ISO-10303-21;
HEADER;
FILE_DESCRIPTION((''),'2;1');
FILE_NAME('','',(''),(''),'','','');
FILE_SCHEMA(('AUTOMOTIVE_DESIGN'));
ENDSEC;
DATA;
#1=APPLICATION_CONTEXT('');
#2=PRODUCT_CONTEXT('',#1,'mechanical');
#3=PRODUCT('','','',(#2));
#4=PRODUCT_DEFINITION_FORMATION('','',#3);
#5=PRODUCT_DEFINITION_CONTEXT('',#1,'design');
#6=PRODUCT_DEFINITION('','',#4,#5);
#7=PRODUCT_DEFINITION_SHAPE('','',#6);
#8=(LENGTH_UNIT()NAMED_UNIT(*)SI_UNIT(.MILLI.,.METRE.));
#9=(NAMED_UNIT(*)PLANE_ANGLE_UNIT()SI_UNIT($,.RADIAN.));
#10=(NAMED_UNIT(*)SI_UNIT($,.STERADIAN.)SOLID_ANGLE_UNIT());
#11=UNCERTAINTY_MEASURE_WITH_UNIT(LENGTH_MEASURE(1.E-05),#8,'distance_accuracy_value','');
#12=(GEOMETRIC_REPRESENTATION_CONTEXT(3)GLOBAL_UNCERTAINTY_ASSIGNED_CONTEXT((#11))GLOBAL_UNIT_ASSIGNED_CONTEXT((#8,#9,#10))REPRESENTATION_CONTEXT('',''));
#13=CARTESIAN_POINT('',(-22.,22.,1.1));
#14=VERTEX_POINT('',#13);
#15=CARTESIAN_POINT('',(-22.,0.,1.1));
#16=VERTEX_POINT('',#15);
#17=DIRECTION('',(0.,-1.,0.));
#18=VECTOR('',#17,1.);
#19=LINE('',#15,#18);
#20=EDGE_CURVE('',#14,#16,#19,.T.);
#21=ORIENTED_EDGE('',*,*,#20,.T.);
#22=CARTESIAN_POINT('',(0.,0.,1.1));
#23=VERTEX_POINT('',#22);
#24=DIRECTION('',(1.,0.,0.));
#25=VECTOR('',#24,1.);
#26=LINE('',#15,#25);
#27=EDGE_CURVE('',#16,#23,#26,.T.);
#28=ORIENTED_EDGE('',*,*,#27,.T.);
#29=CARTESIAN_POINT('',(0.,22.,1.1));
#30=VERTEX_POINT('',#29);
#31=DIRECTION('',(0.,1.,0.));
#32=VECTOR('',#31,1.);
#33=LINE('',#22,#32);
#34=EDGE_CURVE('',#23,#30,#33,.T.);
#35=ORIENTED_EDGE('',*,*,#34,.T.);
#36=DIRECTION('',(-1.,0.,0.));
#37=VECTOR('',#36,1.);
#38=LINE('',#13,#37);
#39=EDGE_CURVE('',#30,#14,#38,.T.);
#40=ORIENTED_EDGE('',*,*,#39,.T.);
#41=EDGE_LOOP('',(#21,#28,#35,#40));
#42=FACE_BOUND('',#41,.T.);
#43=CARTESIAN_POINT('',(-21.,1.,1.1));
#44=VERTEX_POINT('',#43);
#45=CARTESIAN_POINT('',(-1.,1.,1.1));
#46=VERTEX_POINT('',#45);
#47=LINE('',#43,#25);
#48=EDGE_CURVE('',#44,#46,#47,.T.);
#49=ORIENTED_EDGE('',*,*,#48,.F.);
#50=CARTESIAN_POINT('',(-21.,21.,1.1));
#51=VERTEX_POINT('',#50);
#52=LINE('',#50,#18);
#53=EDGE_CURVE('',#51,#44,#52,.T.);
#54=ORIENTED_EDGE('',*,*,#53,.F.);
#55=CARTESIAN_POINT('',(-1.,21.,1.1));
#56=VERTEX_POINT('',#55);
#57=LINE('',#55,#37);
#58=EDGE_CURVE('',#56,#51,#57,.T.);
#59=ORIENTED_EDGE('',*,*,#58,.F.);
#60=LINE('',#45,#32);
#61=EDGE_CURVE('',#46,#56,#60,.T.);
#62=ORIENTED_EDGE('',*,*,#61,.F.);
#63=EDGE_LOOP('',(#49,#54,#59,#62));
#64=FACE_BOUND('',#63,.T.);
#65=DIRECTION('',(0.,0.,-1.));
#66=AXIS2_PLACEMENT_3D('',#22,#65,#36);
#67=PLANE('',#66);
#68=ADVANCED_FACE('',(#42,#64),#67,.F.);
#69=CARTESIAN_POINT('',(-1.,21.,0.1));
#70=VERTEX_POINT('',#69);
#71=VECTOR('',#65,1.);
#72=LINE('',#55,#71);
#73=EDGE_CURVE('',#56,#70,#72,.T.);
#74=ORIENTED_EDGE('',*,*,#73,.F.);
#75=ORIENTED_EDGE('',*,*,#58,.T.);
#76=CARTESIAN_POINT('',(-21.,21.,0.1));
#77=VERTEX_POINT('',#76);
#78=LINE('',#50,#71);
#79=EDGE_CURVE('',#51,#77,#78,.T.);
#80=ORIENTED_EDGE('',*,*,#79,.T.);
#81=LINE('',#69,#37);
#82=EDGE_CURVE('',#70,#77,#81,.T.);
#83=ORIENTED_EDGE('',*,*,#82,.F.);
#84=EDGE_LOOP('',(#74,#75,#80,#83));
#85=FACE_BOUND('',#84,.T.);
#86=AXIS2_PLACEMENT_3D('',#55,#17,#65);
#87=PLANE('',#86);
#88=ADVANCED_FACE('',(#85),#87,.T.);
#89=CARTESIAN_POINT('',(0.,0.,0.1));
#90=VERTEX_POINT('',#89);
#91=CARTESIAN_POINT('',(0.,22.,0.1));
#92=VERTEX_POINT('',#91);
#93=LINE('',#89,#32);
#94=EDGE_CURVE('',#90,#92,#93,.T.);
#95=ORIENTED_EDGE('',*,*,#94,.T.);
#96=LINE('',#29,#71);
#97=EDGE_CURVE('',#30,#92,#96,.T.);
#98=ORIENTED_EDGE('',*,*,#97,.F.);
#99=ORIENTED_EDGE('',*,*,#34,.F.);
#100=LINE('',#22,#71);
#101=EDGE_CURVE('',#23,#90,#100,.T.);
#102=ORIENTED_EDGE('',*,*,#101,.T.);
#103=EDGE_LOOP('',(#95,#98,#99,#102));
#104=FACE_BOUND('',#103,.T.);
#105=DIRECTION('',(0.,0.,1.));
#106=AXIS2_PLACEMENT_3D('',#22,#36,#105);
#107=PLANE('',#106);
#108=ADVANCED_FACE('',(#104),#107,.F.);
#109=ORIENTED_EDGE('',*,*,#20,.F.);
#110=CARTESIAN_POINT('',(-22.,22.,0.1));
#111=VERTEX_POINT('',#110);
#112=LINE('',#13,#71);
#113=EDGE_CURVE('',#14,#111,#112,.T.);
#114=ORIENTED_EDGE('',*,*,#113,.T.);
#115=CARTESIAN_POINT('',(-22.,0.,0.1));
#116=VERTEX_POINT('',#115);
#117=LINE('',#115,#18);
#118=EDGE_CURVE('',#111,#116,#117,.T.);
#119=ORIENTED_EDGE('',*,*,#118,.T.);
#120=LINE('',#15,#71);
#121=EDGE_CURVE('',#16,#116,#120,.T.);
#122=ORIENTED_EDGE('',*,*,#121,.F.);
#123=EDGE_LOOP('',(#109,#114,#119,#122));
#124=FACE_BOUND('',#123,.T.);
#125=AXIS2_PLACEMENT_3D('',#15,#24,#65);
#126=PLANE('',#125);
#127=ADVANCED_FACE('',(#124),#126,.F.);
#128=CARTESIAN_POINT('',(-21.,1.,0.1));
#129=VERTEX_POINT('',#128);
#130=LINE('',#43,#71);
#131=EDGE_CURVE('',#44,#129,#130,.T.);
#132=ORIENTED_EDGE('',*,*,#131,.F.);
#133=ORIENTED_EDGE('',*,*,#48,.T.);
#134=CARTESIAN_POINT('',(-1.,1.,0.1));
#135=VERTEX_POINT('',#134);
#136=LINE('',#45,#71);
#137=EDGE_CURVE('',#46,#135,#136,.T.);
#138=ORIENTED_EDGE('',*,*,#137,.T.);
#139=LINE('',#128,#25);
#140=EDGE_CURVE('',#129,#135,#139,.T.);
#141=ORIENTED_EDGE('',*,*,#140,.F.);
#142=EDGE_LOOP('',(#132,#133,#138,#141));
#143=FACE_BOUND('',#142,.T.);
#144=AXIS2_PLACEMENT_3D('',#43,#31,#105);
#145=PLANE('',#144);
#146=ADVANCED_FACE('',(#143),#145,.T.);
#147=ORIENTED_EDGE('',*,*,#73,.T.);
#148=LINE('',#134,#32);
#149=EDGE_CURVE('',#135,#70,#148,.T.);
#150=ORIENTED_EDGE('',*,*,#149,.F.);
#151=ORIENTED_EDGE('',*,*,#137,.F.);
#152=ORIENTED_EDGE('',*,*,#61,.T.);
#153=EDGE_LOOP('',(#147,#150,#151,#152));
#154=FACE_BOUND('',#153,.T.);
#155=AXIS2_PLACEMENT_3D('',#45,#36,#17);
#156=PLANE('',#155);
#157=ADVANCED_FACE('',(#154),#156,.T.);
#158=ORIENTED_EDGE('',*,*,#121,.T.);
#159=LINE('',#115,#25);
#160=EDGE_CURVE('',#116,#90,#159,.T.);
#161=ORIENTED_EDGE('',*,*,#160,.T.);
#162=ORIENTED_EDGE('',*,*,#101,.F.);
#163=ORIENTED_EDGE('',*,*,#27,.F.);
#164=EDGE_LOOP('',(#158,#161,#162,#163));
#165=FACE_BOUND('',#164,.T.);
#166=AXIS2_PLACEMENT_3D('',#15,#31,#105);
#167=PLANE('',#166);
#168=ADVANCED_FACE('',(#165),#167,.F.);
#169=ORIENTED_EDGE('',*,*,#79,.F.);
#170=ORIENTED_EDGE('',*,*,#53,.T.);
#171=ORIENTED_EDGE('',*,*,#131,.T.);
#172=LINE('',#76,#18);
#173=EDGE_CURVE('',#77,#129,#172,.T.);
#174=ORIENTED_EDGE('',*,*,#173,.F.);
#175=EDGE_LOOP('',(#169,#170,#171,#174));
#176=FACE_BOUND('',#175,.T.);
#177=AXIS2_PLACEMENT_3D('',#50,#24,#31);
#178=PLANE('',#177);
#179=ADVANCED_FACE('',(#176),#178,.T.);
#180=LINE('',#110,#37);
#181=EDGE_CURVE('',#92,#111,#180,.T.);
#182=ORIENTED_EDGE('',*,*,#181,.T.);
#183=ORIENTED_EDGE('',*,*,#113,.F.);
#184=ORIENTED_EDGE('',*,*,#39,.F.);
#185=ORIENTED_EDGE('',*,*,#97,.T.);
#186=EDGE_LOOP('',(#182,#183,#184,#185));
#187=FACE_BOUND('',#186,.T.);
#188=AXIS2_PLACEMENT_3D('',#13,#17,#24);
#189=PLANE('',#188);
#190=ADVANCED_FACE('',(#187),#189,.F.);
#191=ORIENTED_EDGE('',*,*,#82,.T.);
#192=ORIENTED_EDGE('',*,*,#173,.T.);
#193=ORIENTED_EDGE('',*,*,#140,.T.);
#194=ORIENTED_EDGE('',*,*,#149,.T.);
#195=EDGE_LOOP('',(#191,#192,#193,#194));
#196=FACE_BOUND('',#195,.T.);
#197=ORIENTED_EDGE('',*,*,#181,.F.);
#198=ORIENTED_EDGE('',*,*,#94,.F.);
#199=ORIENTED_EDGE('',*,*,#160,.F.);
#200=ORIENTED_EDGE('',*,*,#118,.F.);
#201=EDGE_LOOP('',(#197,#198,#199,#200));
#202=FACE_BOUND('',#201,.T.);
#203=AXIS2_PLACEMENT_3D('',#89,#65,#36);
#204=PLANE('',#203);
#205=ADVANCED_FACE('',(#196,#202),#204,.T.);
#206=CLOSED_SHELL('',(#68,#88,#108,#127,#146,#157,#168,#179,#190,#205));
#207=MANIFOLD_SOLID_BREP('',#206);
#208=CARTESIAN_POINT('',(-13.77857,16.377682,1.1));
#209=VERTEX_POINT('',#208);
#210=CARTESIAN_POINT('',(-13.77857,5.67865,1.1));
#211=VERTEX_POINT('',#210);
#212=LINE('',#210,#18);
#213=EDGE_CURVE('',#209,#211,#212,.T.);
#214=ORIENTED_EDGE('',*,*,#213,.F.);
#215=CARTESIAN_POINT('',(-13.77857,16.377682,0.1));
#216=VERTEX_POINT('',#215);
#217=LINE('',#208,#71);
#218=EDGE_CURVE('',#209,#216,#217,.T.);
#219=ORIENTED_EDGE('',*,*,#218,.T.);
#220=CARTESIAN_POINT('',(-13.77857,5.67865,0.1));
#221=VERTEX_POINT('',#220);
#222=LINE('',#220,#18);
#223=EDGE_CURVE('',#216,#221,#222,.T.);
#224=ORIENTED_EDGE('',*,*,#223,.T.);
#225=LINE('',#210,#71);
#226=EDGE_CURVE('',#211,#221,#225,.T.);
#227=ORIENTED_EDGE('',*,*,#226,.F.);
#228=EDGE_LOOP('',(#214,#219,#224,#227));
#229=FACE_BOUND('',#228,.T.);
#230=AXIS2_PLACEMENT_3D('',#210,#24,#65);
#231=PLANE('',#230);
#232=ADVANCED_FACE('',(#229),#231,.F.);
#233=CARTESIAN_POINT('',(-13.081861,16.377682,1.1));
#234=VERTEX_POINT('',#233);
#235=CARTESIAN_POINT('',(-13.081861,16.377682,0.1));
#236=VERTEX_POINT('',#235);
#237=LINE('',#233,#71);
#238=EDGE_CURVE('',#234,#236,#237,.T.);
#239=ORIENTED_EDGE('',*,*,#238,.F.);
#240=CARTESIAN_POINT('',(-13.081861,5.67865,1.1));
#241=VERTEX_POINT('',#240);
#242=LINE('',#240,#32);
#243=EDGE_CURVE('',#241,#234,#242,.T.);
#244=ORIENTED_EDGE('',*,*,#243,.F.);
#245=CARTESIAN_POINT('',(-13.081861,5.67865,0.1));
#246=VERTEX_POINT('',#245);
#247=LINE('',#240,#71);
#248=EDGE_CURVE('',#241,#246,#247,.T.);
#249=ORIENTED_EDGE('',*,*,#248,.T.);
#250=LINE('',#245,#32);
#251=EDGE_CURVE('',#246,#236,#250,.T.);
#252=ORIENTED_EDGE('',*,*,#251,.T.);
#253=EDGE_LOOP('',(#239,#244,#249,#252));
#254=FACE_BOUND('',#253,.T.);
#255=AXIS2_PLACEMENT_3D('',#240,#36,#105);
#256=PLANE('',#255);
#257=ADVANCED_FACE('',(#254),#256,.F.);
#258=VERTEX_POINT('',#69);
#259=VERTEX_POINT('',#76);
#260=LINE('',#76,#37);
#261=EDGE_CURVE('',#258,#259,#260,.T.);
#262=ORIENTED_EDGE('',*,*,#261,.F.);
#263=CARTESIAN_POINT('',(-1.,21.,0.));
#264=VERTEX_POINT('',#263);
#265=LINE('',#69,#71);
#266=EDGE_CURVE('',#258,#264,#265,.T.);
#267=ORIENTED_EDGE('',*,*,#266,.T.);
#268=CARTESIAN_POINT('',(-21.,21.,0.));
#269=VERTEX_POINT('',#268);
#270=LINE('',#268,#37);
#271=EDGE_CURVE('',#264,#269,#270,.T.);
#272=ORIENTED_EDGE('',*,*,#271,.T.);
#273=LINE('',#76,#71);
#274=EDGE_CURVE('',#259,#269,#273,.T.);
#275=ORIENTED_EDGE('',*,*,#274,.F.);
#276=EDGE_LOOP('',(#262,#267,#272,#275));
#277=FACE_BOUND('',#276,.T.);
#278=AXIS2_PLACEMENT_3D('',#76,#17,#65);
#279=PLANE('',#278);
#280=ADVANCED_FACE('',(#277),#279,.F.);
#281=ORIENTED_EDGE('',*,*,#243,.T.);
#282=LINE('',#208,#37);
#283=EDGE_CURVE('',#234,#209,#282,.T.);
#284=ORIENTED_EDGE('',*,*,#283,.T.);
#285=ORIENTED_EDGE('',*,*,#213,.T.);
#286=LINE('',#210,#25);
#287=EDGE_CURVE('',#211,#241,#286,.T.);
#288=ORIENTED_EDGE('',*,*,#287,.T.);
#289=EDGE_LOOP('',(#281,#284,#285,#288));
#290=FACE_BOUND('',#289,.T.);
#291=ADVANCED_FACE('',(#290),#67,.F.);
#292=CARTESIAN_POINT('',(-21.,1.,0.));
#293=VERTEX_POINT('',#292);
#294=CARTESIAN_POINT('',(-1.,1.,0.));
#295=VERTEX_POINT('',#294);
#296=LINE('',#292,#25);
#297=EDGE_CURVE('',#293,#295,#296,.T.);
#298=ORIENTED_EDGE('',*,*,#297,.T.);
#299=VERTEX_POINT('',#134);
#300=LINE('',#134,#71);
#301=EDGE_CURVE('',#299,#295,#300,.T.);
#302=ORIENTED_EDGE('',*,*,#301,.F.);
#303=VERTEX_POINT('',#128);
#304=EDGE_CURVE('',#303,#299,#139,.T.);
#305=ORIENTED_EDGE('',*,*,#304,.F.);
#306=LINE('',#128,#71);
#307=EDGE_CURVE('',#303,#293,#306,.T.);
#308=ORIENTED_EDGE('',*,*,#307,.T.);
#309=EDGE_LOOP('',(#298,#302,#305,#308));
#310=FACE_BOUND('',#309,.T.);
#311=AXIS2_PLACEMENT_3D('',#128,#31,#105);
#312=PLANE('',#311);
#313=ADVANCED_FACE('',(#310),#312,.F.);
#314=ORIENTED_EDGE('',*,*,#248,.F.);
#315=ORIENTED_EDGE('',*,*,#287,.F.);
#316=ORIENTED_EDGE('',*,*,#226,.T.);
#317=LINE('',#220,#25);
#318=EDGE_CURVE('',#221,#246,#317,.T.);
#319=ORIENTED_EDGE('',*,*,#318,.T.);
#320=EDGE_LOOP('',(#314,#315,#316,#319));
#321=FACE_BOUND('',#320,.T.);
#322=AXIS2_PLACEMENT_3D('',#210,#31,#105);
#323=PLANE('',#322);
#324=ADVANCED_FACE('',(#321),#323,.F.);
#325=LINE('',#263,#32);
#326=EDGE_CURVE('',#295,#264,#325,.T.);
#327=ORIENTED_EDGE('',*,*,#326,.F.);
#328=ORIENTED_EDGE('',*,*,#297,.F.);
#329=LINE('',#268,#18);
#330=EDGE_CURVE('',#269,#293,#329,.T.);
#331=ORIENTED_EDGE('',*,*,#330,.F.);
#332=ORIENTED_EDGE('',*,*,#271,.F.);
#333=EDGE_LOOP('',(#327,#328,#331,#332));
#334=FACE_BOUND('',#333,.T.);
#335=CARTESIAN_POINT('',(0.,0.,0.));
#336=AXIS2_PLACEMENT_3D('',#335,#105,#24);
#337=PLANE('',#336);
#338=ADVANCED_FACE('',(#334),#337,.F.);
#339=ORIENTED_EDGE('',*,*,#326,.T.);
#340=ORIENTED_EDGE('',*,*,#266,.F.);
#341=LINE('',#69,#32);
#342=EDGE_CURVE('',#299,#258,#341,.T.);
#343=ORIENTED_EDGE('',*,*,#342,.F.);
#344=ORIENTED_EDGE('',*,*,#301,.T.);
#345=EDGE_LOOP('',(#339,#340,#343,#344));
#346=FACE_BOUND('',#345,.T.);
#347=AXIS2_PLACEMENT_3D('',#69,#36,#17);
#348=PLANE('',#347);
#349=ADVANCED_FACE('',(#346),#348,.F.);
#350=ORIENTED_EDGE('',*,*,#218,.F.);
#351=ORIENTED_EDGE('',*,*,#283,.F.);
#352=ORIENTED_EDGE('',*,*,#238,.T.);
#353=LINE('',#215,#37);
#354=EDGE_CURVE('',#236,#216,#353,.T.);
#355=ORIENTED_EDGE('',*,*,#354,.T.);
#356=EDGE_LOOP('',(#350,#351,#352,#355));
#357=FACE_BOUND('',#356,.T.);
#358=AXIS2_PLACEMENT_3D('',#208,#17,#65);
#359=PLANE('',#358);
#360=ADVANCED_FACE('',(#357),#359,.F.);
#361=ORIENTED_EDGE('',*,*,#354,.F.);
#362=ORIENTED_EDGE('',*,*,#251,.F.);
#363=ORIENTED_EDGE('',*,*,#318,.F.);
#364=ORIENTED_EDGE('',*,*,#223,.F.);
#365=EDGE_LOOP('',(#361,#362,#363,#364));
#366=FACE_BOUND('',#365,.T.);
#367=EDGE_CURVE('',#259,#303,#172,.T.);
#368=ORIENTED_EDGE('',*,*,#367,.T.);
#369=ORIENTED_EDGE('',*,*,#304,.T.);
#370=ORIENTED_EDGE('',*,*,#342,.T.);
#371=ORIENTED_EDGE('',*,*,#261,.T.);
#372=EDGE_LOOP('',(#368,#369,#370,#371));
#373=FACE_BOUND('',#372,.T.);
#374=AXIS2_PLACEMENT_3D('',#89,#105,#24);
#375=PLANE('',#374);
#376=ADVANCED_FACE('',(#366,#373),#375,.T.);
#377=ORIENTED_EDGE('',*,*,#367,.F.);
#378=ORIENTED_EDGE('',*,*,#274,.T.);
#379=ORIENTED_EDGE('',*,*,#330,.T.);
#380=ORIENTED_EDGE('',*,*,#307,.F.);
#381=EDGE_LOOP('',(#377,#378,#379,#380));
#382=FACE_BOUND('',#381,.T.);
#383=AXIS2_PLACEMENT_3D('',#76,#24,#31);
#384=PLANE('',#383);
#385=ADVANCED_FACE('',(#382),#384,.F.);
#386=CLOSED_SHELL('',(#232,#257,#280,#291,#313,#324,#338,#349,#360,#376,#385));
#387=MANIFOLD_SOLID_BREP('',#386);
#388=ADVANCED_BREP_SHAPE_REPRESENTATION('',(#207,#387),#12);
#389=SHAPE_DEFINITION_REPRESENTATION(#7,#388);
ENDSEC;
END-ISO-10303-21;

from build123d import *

# Parameters (mm, degrees)
SZKIC1_W                    = 20
SZKIC1_H                    = 20
DODANIE_WYCI_GNI_CIE1_DEPTH = 0.1
SZKIC2_W                    = 22
SZKIC2_H                    = 22
SZKIC2_W_2                  = 20
SZKIC2_H_2                  = 20
DODANIE_WYCI_GNI_CIE2_DEPTH = 1
SZKIC3_W                    = 0.696708677
SZKIC3_H                    = 10.699032121
DODANIE_WYCI_GNI_CIE3_DEPTH = 1


with BuildPart() as part:
    # Szkic1 → Dodanie-wyciągnięcie1 (new body)
    with BuildSketch(Plane.XY):
        with Locations((-11, 11)):
            Rectangle(SZKIC1_W, SZKIC1_H)
    extrude(amount=DODANIE_WYCI_GNI_CIE1_DEPTH)

    # Szkic3 → Dodanie-wyciągnięcie3 (add)
    with BuildSketch(Plane.XY.offset(0.1)):
        with Locations((-13.430215504, 11.028166078)):
            Rectangle(SZKIC3_W, SZKIC3_H)
    extrude(amount=DODANIE_WYCI_GNI_CIE3_DEPTH)


with BuildPart() as body_2:
    # Szkic2 → Dodanie-wyciągnięcie2 (new body)
    with BuildSketch(Plane.XY.offset(0.1)):
        with Locations((-11, 11)):
            Rectangle(SZKIC2_W, SZKIC2_H)
        with Locations((-11, 11)):
            Rectangle(SZKIC2_W_2, SZKIC2_H_2, mode=Mode.SUBTRACT)
    extrude(amount=DODANIE_WYCI_GNI_CIE2_DEPTH)


solid = Compound([part.part, body_2.part])
